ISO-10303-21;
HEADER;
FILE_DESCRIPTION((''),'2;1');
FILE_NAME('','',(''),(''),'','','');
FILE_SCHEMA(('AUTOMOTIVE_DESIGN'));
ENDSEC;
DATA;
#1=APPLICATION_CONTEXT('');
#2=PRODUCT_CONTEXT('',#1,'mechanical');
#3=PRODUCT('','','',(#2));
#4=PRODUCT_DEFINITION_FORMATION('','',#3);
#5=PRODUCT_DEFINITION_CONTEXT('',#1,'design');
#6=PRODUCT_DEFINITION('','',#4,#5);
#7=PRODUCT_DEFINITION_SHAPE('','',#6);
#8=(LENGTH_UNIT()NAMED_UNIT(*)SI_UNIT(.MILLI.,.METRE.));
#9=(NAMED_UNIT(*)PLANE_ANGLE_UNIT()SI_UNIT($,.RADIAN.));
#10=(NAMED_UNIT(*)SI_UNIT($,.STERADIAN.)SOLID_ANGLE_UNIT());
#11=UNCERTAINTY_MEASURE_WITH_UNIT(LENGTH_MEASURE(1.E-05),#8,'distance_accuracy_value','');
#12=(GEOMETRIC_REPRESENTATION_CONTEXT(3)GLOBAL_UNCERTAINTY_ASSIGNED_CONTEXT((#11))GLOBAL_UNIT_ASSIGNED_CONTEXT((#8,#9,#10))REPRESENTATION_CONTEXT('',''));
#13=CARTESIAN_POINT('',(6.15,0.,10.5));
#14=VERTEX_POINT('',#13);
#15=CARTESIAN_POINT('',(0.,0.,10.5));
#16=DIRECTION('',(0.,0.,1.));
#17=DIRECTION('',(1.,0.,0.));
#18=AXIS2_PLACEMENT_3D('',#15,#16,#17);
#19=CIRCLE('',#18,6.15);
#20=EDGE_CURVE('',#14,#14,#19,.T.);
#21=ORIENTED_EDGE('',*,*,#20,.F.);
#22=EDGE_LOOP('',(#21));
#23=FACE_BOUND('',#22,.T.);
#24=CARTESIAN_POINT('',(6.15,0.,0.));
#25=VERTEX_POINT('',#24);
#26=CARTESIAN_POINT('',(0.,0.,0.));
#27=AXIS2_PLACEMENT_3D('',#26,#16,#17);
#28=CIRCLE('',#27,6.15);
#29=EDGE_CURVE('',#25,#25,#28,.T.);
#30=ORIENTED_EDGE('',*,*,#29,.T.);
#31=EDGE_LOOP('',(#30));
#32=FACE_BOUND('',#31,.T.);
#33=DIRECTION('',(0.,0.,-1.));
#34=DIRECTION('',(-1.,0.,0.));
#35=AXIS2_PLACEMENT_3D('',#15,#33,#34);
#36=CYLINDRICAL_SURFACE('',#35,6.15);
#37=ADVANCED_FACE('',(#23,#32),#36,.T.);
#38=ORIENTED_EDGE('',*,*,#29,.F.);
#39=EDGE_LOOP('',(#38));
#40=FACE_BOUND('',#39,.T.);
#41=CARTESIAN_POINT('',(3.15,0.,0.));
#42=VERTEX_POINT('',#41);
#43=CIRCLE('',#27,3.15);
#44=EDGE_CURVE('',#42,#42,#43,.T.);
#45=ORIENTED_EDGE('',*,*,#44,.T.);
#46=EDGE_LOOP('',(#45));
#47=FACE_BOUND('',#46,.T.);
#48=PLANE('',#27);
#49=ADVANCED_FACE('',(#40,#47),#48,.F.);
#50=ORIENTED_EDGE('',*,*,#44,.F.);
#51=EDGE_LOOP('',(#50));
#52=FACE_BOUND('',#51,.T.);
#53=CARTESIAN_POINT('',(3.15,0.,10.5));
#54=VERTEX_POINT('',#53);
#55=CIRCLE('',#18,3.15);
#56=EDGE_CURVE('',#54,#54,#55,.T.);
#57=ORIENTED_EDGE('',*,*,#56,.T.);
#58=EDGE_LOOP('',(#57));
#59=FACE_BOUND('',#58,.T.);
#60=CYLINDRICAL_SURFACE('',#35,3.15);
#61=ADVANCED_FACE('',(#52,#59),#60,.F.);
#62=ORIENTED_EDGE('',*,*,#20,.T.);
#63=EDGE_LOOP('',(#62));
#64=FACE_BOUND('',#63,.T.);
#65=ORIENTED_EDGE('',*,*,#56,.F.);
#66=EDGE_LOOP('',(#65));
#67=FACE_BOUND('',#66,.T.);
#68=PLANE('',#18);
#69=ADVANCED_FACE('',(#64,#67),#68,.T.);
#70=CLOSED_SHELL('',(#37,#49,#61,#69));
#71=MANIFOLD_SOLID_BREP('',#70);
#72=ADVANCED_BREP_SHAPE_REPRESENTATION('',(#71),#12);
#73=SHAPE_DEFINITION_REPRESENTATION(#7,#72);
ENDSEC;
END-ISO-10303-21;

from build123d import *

# Parameters (mm, degrees)
SKETCH2_R           = 6.15
SKETCH2_R_2         = 3.15
BOSS_EXTRUDE1_DEPTH = 10.5


with BuildPart() as part:
    # Sketch2 → Boss-Extrude1 (new body)
    with BuildSketch(Plane.XY):
        Circle(SKETCH2_R)
        Circle(SKETCH2_R_2, mode=Mode.SUBTRACT)
    extrude(amount=BOSS_EXTRUDE1_DEPTH)


solid = part.part
